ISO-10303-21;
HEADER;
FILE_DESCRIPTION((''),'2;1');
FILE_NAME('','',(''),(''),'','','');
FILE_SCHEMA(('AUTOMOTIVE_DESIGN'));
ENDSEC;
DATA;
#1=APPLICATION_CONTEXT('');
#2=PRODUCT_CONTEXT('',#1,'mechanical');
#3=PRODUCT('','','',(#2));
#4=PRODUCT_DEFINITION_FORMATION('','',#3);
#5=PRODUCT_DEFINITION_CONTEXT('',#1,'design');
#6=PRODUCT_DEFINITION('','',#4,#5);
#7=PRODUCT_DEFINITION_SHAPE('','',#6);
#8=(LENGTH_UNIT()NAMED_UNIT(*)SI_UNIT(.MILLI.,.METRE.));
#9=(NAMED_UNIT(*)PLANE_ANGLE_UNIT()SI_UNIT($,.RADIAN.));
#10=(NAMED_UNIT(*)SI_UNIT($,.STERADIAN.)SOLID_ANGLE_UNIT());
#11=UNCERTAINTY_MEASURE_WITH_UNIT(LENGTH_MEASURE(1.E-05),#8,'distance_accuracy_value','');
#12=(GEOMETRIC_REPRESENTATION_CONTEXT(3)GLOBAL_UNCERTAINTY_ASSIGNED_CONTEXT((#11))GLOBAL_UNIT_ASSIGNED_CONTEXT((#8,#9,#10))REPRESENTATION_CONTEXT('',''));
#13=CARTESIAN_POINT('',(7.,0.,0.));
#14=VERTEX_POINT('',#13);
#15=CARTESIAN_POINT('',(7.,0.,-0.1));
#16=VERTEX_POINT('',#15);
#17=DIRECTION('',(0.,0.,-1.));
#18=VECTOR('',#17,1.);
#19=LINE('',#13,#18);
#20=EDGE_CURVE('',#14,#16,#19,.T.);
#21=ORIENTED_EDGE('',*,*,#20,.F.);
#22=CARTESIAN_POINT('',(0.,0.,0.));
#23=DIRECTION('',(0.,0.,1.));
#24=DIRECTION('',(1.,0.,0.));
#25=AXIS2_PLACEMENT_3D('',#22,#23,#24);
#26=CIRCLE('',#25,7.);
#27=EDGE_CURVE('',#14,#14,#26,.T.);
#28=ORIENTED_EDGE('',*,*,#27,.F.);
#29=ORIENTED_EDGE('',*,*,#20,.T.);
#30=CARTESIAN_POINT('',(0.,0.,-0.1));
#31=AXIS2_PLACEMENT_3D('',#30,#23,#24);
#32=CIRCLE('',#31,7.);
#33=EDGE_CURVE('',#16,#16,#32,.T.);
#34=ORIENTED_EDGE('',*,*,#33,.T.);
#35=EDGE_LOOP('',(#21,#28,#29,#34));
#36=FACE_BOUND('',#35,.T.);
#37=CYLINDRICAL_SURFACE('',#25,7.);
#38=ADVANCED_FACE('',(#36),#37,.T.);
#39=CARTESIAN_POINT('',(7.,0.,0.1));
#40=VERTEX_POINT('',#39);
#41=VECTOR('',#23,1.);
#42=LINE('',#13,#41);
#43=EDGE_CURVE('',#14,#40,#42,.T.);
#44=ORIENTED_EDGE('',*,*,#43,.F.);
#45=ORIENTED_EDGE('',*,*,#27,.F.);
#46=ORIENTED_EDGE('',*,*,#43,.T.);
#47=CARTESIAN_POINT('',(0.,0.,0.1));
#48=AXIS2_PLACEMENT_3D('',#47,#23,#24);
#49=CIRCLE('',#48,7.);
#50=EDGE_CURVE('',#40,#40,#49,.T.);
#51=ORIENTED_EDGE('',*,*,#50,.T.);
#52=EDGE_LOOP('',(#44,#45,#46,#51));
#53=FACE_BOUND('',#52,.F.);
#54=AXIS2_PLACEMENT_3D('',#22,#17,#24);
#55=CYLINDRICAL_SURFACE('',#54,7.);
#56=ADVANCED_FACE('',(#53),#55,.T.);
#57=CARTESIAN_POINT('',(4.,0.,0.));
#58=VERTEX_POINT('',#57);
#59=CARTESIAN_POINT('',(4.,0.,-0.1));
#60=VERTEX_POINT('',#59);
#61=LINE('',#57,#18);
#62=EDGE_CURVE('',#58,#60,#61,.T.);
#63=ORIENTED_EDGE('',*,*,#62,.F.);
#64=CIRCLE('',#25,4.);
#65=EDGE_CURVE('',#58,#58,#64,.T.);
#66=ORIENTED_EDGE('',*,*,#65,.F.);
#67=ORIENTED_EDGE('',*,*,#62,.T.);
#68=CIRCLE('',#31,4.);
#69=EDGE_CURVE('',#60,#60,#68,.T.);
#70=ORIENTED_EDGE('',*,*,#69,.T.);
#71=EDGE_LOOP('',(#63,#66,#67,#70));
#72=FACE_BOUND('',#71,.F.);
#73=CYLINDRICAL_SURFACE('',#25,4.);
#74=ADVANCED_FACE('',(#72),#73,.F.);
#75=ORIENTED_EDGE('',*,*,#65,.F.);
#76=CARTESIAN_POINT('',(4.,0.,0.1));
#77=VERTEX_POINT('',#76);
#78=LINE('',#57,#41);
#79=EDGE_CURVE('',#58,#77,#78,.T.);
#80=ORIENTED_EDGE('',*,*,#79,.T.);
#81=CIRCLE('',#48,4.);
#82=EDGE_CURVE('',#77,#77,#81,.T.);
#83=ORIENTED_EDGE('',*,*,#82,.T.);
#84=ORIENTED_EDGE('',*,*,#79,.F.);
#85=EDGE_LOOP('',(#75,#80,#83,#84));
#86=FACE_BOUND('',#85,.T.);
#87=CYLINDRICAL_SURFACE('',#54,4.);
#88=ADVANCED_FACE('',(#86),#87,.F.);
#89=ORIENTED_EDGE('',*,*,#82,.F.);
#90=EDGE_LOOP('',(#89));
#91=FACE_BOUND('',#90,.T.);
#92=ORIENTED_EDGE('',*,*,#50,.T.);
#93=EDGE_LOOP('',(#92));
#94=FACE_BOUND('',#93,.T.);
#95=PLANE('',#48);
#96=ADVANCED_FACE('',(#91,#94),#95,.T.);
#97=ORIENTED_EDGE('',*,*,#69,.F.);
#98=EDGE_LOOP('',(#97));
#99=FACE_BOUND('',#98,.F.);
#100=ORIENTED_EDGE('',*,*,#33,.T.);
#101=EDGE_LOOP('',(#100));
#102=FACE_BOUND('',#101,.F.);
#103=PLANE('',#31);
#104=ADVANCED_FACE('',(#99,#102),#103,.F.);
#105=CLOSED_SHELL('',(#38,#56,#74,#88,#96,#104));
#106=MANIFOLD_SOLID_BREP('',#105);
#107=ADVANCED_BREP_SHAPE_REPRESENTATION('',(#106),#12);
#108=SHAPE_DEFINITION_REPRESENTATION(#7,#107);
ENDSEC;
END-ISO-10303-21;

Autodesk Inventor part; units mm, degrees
ref_plane "YZ Plane" through (0, 0, 0) normal (1, 0, 0) x (0, 1, 0)
ref_plane "XZ Plane" through (0, 0, 0) normal (0, 1, 0) x (-1, 0, 0)
ref_plane "XY Plane" through (0, 0, 0) normal (0, 0, 1) x (1, 0, 0)
sketch "Skizze1" plane through (0, 0, 0) normal (0, 0, 1) x (1, 0, 0)
  circle A0 centre (0, 0) radius 4
  circle A1 centre (0, 0) radius 7
  dimension "d0" = 8
  dimension "d1" = 14
extrude "Extrusion1" add sketch "Skizze1" along normal mid plane 0.2
properties part number "DIN-988_d8_D14_t02" material "Stahl, hochfest, niedrig legiert"
